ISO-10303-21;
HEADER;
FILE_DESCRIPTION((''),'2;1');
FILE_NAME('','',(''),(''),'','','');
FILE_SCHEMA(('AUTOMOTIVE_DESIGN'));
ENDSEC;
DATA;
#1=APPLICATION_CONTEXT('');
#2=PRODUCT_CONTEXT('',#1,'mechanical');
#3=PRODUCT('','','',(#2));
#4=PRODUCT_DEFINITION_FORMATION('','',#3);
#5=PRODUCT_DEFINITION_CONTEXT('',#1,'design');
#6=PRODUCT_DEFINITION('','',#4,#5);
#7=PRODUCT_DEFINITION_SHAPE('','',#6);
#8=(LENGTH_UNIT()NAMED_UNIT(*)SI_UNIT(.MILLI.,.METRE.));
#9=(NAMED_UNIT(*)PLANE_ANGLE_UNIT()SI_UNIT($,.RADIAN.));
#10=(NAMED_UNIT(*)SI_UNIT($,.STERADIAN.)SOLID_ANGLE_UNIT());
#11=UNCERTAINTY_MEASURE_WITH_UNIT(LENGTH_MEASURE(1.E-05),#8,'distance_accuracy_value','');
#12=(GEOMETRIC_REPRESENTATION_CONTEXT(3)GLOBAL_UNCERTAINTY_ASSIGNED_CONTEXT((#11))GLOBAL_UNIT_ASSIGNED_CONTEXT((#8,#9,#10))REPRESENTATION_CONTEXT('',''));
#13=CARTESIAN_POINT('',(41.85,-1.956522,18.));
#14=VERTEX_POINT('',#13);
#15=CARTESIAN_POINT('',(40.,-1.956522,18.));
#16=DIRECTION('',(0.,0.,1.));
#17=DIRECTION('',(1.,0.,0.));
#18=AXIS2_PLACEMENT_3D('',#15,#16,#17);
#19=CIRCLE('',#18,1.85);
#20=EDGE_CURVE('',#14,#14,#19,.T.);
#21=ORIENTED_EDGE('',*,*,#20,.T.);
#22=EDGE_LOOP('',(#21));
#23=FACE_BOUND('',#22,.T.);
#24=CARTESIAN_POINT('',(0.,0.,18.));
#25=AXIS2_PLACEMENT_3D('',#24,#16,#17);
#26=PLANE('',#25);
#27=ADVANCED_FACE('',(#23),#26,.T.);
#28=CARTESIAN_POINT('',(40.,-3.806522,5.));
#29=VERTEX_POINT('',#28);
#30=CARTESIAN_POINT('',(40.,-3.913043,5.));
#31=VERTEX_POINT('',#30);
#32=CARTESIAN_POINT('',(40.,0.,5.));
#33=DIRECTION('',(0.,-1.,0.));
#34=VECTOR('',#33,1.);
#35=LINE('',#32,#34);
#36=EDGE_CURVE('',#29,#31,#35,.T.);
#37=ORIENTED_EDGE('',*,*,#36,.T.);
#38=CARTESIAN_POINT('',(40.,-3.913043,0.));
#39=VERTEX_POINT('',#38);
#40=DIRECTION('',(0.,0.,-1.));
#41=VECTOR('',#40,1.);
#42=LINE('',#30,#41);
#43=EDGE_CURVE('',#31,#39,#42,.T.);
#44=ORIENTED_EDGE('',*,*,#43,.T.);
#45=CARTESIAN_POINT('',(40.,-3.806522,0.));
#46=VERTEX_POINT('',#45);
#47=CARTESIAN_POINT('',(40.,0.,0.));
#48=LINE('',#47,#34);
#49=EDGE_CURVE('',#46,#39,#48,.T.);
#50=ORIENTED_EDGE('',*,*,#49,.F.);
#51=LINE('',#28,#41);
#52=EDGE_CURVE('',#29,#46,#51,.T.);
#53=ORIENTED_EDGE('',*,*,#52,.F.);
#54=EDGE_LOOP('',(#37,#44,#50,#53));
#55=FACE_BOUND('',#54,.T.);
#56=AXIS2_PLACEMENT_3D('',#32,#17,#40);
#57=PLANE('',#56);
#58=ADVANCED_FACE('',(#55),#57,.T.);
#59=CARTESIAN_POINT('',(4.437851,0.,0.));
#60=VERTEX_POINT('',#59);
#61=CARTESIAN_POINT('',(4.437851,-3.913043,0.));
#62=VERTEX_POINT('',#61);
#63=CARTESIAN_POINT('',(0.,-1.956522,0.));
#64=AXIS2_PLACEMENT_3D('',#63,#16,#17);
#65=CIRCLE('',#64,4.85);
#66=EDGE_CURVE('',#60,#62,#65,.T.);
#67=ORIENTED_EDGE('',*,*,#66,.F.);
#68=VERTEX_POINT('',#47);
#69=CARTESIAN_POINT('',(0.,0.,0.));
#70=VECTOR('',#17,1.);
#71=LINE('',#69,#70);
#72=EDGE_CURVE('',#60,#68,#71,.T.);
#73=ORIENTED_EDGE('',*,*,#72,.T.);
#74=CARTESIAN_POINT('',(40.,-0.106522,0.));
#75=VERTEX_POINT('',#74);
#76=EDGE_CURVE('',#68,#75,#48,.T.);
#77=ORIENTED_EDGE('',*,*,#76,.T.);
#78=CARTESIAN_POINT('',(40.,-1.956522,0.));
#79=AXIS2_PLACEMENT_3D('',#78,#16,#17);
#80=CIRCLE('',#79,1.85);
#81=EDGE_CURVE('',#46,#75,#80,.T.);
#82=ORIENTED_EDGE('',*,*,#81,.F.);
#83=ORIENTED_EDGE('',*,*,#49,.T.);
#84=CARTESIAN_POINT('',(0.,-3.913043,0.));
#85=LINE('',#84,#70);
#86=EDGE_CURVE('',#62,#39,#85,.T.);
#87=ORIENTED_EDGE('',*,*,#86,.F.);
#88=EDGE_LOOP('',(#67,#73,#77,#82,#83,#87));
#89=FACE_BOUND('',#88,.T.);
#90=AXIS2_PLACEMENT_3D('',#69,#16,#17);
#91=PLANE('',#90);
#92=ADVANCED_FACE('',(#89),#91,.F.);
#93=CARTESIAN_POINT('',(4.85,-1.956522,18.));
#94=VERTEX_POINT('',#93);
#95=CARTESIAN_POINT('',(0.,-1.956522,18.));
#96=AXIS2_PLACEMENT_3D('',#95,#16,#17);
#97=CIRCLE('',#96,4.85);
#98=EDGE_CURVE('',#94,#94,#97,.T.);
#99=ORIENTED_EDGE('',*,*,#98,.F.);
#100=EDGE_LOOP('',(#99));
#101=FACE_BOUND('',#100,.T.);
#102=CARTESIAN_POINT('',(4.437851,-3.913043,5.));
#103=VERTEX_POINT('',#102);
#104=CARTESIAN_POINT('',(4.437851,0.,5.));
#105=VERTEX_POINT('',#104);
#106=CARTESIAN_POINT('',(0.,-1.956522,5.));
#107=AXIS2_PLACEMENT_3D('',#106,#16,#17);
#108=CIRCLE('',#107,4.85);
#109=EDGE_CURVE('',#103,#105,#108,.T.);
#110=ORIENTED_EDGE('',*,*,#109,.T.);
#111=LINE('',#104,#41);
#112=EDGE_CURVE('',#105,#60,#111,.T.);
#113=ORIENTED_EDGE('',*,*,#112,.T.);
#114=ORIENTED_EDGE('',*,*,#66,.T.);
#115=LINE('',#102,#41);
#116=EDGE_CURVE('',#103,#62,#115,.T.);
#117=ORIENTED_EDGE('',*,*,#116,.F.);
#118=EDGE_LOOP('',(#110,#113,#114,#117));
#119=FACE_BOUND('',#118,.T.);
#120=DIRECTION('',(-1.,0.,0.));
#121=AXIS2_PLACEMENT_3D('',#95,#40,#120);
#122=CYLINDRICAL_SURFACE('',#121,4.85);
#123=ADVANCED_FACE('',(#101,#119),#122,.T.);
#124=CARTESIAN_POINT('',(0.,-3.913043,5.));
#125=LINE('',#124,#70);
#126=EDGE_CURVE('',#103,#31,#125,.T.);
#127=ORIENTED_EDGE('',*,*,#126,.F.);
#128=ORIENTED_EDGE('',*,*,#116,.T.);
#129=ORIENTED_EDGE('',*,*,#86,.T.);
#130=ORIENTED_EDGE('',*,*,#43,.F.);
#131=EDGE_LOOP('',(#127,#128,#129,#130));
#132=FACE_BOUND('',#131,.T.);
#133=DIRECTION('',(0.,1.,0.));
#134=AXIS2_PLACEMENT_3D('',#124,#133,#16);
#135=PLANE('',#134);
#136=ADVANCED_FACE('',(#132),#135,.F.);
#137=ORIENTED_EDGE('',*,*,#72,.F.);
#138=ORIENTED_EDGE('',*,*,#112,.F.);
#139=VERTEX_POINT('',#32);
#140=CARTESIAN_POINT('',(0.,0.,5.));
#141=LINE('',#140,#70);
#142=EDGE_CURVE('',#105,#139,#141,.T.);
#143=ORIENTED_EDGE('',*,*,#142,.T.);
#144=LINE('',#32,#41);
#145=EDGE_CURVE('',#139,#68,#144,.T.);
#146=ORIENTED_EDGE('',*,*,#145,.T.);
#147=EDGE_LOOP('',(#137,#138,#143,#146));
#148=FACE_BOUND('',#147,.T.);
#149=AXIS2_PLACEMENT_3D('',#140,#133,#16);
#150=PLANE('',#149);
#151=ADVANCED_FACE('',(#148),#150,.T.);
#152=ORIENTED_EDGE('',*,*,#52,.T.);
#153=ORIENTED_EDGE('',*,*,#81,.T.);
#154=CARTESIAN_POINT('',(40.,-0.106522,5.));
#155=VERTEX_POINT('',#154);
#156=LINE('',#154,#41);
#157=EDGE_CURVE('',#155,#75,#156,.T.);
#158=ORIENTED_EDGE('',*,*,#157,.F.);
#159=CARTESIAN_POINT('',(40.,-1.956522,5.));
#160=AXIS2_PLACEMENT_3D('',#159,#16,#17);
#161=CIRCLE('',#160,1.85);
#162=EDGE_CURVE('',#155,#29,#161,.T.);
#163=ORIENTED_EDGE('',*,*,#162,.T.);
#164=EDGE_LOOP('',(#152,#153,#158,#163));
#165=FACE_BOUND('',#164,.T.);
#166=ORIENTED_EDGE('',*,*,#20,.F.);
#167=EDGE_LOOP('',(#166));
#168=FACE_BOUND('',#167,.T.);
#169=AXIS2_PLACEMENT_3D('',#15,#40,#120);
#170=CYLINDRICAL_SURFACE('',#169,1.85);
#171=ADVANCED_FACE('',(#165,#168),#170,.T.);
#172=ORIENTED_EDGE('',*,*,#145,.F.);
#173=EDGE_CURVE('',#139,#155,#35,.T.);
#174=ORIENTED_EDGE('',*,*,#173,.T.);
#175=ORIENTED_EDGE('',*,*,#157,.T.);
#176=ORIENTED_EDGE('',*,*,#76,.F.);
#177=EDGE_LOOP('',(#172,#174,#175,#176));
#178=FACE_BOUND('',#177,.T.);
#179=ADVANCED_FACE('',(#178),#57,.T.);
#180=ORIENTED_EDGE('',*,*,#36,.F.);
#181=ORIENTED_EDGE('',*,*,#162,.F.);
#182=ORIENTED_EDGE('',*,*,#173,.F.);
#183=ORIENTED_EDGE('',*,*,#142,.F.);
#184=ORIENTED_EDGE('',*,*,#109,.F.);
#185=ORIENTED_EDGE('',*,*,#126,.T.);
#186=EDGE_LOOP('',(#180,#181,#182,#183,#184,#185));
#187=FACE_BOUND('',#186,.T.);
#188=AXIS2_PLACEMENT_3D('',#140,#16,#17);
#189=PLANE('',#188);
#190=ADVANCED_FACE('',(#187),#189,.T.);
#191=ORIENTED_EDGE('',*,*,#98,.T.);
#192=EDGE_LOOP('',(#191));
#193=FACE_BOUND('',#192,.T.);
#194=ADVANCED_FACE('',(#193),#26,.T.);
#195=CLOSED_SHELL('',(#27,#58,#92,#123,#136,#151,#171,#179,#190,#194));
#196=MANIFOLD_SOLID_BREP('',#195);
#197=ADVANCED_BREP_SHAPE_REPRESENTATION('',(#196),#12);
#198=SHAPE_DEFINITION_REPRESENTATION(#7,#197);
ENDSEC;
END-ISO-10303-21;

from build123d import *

# Parameters (mm, degrees)
BOSS_EXTRUDE1_DEPTH = 5
SKETCH1_3_R         = 4.85
SKETCH1_3_R_2       = 1.85
BOSS_EXTRUDE2_DEPTH = 18


with BuildPart() as part:
    # Sketch1 → Boss-Extrude1 (new body)
    with BuildSketch(Plane.XY):
        with BuildLine():
            Line((40, 0), (4.437851134, 0))
            ThreePointArc((4.437851134, 0), (4.745844393, -0.956791275), (4.85, -1.956521739))
            ThreePointArc((4.85, -1.956521739), (4.745844393, -2.956252203), (4.437851134, -3.913043478))
            Line((4.437851134, -3.913043478), (40, -3.913043478))
            Line((40, -3.913043478), (40, -3.806521739))
            ThreePointArc((40, -3.806521739), (38.15, -1.956521739), (40, -0.106521739))
            Line((40, -0.106521739), (40, 0))
        make_face()
    extrude(amount=BOSS_EXTRUDE1_DEPTH)

    # Sketch1<3> → Boss-Extrude2 (add)
    with BuildSketch(Plane.XY):
        with Locations((0, -1.956521739)):
            Circle(SKETCH1_3_R)
        with Locations((40, -1.956521739)):
            Circle(SKETCH1_3_R_2)
    extrude(amount=BOSS_EXTRUDE2_DEPTH)


solid = part.part
